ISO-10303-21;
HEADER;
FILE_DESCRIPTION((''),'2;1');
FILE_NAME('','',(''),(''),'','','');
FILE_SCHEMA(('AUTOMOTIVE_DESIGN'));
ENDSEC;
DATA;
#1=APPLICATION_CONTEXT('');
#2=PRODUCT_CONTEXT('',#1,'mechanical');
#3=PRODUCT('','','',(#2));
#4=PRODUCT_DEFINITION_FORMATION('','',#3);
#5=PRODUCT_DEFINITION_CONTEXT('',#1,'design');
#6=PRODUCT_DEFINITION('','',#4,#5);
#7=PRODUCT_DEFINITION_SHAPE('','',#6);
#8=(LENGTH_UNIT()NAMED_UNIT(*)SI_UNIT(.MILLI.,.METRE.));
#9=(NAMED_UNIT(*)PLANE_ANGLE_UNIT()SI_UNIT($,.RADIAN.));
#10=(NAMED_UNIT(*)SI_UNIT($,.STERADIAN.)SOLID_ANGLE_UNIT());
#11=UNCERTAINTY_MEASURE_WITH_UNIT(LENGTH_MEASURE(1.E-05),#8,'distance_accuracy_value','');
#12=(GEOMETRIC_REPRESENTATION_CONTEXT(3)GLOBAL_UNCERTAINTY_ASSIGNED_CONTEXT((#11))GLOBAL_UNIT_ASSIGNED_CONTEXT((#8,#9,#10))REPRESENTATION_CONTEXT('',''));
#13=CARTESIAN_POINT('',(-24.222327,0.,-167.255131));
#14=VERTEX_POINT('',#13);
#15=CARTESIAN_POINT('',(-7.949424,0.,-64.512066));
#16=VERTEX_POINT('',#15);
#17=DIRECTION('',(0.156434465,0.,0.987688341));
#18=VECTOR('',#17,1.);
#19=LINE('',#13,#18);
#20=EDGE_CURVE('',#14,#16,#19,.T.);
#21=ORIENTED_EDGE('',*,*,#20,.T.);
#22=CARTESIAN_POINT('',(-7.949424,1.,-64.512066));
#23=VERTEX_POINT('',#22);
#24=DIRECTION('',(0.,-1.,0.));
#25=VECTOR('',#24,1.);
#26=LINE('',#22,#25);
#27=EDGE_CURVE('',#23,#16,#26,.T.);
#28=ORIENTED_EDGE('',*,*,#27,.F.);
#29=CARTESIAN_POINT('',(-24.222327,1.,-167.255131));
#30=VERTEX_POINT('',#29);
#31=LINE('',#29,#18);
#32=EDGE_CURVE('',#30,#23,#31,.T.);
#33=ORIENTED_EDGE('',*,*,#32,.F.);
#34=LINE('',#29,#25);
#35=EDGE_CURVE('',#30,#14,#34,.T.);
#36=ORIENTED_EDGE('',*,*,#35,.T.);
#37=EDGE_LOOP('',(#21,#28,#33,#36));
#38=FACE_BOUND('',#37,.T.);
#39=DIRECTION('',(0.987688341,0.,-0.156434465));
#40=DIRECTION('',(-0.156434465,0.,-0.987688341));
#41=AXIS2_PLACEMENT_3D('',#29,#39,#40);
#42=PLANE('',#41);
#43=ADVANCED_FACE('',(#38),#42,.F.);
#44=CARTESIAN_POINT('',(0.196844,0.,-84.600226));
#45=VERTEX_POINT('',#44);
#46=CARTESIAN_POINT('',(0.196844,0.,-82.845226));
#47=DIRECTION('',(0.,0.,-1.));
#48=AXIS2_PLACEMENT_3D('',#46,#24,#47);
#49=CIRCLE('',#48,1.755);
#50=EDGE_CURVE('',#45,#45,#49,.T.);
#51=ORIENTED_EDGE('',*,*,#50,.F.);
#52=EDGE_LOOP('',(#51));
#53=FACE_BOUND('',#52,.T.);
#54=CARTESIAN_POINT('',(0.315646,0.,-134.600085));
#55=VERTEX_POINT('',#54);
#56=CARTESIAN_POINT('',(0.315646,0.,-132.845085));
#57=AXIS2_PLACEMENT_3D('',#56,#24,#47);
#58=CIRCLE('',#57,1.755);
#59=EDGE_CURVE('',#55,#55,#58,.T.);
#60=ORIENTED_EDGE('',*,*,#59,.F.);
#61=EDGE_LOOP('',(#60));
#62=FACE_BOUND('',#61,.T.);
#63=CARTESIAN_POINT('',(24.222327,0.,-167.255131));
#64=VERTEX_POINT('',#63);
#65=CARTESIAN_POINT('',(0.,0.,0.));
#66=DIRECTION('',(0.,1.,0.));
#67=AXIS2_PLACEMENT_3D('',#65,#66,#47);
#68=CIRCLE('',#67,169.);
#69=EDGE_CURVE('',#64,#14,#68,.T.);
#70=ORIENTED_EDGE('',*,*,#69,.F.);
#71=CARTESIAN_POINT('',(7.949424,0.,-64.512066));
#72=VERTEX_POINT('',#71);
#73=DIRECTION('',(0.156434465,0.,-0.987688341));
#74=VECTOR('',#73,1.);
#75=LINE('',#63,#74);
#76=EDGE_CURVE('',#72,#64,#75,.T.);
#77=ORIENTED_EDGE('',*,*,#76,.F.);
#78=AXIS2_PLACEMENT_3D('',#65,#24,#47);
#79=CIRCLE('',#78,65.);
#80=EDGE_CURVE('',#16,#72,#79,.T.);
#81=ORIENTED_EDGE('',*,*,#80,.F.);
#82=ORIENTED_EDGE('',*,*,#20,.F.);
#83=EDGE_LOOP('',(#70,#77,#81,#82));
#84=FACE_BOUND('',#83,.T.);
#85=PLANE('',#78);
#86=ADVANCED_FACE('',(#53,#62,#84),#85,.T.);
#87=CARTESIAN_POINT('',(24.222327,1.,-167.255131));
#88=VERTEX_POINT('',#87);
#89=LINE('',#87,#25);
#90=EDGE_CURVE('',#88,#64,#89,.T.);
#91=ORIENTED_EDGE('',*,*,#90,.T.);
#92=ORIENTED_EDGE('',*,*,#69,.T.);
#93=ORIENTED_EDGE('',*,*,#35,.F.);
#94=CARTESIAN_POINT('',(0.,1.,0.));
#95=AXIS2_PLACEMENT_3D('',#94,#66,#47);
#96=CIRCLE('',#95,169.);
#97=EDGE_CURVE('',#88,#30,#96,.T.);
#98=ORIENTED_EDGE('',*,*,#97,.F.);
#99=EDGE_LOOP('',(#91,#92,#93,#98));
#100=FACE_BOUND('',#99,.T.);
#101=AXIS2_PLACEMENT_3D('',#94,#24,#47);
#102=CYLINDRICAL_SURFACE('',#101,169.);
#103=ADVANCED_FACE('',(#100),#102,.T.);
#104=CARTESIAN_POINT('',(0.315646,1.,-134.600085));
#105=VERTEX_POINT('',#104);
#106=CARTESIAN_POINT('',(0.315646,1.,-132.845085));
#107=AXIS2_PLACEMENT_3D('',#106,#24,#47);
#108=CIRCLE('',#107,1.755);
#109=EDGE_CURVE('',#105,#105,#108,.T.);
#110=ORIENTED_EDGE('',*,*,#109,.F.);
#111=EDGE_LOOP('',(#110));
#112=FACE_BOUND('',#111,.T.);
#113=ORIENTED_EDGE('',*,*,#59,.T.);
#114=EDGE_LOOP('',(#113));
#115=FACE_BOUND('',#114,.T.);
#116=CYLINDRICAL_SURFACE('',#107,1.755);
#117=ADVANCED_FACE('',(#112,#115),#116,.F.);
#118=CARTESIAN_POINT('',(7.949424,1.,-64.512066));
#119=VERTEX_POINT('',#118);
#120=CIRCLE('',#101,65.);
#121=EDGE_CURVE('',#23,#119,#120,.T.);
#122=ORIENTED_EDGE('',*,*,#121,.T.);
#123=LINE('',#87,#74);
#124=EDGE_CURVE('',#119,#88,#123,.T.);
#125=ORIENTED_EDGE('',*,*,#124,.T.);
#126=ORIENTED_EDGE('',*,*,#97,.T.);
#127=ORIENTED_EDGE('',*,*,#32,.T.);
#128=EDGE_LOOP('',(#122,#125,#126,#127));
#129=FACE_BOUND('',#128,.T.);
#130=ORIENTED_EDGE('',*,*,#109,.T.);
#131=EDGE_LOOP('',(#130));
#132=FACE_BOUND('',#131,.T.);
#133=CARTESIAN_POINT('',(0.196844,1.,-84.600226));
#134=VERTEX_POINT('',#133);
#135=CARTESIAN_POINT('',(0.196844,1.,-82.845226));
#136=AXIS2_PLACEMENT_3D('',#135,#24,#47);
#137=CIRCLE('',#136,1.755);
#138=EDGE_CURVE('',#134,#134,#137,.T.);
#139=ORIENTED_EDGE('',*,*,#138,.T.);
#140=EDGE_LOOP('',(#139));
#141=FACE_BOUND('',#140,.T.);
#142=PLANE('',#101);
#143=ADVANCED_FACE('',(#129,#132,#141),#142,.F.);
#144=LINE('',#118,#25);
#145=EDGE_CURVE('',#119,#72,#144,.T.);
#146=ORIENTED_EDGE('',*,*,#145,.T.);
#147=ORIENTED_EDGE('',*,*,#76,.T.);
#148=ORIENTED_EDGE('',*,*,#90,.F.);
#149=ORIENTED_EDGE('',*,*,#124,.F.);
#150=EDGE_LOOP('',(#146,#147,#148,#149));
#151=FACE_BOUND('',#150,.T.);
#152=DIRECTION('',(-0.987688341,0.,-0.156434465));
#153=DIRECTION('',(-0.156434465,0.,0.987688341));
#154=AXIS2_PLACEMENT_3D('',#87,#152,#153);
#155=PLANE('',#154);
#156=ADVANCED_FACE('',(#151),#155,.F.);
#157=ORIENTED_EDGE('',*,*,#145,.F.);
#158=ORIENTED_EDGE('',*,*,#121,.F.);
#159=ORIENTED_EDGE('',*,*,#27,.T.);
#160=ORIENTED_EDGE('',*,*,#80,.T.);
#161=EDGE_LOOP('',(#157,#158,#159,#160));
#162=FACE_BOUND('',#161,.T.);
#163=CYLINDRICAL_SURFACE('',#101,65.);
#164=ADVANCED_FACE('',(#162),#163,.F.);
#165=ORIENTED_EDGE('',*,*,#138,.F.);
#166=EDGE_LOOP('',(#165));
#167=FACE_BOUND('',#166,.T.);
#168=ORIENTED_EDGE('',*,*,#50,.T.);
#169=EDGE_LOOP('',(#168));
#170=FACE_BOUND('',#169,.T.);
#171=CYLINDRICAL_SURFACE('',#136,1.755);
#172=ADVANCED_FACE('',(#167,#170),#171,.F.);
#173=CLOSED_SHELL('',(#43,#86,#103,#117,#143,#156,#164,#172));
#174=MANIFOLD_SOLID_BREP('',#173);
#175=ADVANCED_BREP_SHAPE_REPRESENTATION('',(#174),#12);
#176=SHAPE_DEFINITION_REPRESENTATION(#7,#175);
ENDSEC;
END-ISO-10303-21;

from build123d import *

# Parameters (mm, degrees)
BOSS_EXTRUDE1_DEPTH = 1
SKETCH3_R           = 1.755
CUT_EXTRUDE2_DEPTH  = 171.729965471


with BuildPart() as part:
    # Sketch1 → Boss-Extrude1 (new body)
    with BuildSketch(Plane(origin=(0, 0, 0), x_dir=(1, 0, 0), z_dir=(0, 1, 0))):
        with BuildLine():
            Line((-24.22232668, 167.255131133), (-7.949423814, 64.512066011))
            ThreePointArc((-7.949423814, 64.512066011), (0, 65), (7.949423814, 64.512066011))
            Line((7.949423814, 64.512066011), (24.22232668, 167.255131133))
            ThreePointArc((24.22232668, 167.255131133), (0, 169), (-24.22232668, 167.255131133))
        make_face()
    extrude(amount=BOSS_EXTRUDE1_DEPTH)

    # Sketch3 → Cut-Extrude2 (cut, through all)
    with BuildSketch(Plane.XZ):
        with Locations(Location((0.196844211, -82.845225749, 0), (0, 0, 270))):
            Circle(SKETCH3_R)
        with Locations(Location((0.315646263, -132.845084609, 0), (0, 0, 270))):
            Circle(SKETCH3_R)
    extrude(amount=-CUT_EXTRUDE2_DEPTH, mode=Mode.SUBTRACT)


solid = part.part
